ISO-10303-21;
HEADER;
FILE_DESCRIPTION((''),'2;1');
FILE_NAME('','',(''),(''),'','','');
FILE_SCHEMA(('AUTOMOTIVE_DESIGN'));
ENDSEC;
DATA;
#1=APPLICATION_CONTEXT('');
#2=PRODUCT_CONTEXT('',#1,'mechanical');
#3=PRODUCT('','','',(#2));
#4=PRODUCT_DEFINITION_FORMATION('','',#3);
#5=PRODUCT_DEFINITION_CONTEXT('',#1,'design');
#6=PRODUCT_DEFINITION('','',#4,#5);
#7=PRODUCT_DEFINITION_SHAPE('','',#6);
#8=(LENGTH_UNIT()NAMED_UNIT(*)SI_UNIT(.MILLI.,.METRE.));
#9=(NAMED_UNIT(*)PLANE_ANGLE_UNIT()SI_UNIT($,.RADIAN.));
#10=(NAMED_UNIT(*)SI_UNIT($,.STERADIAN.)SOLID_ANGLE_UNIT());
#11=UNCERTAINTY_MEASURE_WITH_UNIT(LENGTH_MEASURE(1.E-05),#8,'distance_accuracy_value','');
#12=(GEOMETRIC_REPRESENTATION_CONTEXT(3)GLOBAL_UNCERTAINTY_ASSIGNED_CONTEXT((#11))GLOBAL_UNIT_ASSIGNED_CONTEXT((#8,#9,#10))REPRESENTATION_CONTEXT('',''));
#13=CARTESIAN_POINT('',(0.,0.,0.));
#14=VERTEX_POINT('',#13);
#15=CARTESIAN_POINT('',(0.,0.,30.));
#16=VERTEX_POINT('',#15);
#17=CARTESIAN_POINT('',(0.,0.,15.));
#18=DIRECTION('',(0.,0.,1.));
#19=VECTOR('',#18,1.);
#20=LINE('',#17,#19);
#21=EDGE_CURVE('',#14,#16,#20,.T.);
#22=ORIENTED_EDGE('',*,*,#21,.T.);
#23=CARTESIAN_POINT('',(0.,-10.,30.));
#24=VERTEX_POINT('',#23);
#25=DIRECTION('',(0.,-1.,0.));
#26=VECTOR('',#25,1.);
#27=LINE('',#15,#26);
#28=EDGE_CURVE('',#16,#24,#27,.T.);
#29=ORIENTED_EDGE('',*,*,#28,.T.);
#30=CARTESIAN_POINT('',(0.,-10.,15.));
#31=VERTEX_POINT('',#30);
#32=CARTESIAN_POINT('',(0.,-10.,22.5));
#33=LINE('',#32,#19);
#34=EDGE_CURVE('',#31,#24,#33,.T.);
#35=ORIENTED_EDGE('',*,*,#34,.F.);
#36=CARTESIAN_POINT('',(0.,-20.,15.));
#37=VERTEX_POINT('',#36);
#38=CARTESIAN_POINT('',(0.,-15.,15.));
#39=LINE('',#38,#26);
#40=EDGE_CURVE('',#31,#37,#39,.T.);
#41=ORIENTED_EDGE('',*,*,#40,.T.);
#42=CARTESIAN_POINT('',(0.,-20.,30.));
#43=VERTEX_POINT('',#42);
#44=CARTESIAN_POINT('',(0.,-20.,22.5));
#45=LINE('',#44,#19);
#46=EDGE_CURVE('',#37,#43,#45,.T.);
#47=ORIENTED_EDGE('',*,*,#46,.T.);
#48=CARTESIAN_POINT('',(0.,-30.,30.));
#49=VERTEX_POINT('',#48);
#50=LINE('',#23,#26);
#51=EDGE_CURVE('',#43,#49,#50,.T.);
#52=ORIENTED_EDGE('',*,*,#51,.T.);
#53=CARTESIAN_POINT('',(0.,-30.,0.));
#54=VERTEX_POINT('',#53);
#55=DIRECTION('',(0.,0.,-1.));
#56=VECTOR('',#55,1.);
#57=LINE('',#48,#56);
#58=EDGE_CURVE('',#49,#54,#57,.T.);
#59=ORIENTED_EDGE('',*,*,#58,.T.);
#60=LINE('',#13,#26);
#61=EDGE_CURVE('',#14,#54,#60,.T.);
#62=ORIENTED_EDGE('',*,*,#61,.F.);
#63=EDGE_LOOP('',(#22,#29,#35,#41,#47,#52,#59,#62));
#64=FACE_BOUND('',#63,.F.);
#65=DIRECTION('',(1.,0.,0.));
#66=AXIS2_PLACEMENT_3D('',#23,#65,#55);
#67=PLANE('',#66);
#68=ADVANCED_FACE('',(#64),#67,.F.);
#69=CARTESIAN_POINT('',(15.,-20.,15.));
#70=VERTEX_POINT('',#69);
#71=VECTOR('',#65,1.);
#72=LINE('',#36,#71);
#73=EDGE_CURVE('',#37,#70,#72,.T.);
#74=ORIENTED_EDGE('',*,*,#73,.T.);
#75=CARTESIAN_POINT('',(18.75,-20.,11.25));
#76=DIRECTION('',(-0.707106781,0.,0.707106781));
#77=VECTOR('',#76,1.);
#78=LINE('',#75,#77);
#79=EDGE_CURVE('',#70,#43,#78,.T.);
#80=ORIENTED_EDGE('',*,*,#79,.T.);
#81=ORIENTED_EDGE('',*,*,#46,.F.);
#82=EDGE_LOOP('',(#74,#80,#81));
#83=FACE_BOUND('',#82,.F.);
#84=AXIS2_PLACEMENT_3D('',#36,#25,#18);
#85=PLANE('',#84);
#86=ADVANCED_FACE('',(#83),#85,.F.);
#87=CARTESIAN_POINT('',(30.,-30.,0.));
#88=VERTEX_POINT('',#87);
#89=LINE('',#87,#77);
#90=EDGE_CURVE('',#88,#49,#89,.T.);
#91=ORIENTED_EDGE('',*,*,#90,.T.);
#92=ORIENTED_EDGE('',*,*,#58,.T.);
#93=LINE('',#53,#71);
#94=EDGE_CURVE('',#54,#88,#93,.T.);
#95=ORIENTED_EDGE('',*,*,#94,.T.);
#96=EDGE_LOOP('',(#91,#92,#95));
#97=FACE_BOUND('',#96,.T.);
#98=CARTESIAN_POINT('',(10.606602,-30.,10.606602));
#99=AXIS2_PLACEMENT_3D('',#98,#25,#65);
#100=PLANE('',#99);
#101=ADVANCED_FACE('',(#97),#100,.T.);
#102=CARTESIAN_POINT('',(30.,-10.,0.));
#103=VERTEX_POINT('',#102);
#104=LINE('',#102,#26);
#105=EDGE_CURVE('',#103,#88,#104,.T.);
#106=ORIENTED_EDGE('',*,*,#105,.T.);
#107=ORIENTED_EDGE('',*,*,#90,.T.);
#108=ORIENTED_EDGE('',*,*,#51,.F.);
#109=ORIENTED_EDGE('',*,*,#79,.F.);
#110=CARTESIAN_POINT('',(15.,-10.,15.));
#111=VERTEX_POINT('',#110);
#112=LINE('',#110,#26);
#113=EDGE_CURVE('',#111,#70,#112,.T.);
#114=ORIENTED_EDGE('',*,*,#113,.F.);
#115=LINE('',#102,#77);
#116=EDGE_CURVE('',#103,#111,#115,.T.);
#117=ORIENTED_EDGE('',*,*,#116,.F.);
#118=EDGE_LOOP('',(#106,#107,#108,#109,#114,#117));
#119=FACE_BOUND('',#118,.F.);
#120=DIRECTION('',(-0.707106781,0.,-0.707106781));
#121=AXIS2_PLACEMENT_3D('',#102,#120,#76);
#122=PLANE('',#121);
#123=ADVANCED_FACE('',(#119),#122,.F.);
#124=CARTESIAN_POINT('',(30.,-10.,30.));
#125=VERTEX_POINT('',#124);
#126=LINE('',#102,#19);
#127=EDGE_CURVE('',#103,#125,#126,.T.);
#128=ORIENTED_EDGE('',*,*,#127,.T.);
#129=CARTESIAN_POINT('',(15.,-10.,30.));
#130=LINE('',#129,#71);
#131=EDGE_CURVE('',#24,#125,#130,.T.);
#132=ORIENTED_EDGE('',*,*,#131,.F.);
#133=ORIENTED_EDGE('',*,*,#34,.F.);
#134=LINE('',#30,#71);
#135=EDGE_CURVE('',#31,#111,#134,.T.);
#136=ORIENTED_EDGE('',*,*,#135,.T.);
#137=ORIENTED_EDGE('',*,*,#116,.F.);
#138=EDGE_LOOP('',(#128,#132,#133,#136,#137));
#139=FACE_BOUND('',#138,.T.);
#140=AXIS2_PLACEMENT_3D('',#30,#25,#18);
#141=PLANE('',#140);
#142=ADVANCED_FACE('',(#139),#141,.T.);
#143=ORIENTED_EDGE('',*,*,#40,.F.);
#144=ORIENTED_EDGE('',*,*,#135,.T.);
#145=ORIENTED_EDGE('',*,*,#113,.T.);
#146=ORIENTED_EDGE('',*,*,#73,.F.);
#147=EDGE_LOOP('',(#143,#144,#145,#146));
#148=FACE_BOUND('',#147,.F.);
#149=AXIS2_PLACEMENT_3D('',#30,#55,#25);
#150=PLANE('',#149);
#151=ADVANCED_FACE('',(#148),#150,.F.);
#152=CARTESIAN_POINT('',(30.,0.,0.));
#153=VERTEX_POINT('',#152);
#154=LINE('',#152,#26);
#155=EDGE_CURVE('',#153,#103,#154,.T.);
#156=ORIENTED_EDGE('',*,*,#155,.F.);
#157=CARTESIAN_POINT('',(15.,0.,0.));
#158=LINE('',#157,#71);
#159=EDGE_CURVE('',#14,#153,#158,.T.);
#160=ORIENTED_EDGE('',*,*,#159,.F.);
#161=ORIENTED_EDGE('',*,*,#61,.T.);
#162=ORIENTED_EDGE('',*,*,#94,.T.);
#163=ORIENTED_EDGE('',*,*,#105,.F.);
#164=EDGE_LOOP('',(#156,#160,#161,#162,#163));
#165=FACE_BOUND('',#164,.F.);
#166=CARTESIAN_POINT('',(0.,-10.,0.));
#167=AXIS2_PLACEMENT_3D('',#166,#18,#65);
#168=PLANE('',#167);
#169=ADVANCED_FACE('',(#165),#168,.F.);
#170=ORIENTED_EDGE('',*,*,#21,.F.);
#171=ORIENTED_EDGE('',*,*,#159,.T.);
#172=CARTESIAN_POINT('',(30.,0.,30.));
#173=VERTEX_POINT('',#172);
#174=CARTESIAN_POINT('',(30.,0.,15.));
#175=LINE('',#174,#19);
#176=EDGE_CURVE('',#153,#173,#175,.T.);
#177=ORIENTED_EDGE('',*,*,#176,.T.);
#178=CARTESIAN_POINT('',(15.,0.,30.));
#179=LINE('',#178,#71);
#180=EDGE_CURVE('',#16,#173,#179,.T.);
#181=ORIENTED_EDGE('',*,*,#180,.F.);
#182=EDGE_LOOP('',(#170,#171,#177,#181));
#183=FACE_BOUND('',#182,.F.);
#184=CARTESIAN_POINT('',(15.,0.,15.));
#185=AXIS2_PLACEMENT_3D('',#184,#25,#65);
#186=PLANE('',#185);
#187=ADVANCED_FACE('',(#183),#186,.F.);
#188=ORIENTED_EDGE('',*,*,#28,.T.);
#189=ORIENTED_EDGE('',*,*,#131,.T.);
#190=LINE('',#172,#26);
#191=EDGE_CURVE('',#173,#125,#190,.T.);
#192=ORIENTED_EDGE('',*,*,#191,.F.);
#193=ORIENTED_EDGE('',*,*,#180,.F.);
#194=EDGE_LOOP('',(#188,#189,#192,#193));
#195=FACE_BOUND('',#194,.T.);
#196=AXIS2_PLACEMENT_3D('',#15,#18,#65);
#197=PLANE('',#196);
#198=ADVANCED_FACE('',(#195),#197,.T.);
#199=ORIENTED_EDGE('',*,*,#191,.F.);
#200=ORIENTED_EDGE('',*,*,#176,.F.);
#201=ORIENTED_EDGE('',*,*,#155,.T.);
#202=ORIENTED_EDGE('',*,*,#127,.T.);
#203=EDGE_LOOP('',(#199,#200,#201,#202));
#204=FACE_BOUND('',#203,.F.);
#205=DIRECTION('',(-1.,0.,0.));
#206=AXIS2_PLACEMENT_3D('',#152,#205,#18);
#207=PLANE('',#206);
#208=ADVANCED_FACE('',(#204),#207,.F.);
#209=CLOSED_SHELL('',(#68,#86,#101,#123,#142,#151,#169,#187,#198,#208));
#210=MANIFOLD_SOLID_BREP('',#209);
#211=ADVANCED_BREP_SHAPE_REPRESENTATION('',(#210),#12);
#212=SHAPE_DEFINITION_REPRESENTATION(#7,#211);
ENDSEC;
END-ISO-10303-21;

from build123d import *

# Parameters (mm, degrees)
F0_W     = 30
F0_H     = 30
F1_DEPTH = 10
F3_DEPTH = 20
F4_W     = 10
F4_H     = 15
F5_DEPTH = 30.001


with BuildPart() as f1:
    # F0 (on Front) → F1 (new body)
    with BuildSketch(Plane.XZ):
        with Locations((15, 15)):
            Rectangle(F0_W, F0_H)
    extrude(amount=F1_DEPTH)

    # F2 (on face) → F3 (join)
    with BuildSketch(Plane.XZ.offset(10)):
        Polygon((0, 30), (0, 0), (30, 0), align=None)
    extrude(amount=F3_DEPTH)

    # F4 (on face) → F5 (cut, through all)
    with BuildSketch(Plane(origin=(0, 0, 0), x_dir=(0, -1, 0), z_dir=(-1, 0, 0))):
        with Locations((15, 22.5)):
            Rectangle(F4_W, F4_H)
    extrude(amount=-F5_DEPTH, mode=Mode.SUBTRACT)


solid = f1.part
